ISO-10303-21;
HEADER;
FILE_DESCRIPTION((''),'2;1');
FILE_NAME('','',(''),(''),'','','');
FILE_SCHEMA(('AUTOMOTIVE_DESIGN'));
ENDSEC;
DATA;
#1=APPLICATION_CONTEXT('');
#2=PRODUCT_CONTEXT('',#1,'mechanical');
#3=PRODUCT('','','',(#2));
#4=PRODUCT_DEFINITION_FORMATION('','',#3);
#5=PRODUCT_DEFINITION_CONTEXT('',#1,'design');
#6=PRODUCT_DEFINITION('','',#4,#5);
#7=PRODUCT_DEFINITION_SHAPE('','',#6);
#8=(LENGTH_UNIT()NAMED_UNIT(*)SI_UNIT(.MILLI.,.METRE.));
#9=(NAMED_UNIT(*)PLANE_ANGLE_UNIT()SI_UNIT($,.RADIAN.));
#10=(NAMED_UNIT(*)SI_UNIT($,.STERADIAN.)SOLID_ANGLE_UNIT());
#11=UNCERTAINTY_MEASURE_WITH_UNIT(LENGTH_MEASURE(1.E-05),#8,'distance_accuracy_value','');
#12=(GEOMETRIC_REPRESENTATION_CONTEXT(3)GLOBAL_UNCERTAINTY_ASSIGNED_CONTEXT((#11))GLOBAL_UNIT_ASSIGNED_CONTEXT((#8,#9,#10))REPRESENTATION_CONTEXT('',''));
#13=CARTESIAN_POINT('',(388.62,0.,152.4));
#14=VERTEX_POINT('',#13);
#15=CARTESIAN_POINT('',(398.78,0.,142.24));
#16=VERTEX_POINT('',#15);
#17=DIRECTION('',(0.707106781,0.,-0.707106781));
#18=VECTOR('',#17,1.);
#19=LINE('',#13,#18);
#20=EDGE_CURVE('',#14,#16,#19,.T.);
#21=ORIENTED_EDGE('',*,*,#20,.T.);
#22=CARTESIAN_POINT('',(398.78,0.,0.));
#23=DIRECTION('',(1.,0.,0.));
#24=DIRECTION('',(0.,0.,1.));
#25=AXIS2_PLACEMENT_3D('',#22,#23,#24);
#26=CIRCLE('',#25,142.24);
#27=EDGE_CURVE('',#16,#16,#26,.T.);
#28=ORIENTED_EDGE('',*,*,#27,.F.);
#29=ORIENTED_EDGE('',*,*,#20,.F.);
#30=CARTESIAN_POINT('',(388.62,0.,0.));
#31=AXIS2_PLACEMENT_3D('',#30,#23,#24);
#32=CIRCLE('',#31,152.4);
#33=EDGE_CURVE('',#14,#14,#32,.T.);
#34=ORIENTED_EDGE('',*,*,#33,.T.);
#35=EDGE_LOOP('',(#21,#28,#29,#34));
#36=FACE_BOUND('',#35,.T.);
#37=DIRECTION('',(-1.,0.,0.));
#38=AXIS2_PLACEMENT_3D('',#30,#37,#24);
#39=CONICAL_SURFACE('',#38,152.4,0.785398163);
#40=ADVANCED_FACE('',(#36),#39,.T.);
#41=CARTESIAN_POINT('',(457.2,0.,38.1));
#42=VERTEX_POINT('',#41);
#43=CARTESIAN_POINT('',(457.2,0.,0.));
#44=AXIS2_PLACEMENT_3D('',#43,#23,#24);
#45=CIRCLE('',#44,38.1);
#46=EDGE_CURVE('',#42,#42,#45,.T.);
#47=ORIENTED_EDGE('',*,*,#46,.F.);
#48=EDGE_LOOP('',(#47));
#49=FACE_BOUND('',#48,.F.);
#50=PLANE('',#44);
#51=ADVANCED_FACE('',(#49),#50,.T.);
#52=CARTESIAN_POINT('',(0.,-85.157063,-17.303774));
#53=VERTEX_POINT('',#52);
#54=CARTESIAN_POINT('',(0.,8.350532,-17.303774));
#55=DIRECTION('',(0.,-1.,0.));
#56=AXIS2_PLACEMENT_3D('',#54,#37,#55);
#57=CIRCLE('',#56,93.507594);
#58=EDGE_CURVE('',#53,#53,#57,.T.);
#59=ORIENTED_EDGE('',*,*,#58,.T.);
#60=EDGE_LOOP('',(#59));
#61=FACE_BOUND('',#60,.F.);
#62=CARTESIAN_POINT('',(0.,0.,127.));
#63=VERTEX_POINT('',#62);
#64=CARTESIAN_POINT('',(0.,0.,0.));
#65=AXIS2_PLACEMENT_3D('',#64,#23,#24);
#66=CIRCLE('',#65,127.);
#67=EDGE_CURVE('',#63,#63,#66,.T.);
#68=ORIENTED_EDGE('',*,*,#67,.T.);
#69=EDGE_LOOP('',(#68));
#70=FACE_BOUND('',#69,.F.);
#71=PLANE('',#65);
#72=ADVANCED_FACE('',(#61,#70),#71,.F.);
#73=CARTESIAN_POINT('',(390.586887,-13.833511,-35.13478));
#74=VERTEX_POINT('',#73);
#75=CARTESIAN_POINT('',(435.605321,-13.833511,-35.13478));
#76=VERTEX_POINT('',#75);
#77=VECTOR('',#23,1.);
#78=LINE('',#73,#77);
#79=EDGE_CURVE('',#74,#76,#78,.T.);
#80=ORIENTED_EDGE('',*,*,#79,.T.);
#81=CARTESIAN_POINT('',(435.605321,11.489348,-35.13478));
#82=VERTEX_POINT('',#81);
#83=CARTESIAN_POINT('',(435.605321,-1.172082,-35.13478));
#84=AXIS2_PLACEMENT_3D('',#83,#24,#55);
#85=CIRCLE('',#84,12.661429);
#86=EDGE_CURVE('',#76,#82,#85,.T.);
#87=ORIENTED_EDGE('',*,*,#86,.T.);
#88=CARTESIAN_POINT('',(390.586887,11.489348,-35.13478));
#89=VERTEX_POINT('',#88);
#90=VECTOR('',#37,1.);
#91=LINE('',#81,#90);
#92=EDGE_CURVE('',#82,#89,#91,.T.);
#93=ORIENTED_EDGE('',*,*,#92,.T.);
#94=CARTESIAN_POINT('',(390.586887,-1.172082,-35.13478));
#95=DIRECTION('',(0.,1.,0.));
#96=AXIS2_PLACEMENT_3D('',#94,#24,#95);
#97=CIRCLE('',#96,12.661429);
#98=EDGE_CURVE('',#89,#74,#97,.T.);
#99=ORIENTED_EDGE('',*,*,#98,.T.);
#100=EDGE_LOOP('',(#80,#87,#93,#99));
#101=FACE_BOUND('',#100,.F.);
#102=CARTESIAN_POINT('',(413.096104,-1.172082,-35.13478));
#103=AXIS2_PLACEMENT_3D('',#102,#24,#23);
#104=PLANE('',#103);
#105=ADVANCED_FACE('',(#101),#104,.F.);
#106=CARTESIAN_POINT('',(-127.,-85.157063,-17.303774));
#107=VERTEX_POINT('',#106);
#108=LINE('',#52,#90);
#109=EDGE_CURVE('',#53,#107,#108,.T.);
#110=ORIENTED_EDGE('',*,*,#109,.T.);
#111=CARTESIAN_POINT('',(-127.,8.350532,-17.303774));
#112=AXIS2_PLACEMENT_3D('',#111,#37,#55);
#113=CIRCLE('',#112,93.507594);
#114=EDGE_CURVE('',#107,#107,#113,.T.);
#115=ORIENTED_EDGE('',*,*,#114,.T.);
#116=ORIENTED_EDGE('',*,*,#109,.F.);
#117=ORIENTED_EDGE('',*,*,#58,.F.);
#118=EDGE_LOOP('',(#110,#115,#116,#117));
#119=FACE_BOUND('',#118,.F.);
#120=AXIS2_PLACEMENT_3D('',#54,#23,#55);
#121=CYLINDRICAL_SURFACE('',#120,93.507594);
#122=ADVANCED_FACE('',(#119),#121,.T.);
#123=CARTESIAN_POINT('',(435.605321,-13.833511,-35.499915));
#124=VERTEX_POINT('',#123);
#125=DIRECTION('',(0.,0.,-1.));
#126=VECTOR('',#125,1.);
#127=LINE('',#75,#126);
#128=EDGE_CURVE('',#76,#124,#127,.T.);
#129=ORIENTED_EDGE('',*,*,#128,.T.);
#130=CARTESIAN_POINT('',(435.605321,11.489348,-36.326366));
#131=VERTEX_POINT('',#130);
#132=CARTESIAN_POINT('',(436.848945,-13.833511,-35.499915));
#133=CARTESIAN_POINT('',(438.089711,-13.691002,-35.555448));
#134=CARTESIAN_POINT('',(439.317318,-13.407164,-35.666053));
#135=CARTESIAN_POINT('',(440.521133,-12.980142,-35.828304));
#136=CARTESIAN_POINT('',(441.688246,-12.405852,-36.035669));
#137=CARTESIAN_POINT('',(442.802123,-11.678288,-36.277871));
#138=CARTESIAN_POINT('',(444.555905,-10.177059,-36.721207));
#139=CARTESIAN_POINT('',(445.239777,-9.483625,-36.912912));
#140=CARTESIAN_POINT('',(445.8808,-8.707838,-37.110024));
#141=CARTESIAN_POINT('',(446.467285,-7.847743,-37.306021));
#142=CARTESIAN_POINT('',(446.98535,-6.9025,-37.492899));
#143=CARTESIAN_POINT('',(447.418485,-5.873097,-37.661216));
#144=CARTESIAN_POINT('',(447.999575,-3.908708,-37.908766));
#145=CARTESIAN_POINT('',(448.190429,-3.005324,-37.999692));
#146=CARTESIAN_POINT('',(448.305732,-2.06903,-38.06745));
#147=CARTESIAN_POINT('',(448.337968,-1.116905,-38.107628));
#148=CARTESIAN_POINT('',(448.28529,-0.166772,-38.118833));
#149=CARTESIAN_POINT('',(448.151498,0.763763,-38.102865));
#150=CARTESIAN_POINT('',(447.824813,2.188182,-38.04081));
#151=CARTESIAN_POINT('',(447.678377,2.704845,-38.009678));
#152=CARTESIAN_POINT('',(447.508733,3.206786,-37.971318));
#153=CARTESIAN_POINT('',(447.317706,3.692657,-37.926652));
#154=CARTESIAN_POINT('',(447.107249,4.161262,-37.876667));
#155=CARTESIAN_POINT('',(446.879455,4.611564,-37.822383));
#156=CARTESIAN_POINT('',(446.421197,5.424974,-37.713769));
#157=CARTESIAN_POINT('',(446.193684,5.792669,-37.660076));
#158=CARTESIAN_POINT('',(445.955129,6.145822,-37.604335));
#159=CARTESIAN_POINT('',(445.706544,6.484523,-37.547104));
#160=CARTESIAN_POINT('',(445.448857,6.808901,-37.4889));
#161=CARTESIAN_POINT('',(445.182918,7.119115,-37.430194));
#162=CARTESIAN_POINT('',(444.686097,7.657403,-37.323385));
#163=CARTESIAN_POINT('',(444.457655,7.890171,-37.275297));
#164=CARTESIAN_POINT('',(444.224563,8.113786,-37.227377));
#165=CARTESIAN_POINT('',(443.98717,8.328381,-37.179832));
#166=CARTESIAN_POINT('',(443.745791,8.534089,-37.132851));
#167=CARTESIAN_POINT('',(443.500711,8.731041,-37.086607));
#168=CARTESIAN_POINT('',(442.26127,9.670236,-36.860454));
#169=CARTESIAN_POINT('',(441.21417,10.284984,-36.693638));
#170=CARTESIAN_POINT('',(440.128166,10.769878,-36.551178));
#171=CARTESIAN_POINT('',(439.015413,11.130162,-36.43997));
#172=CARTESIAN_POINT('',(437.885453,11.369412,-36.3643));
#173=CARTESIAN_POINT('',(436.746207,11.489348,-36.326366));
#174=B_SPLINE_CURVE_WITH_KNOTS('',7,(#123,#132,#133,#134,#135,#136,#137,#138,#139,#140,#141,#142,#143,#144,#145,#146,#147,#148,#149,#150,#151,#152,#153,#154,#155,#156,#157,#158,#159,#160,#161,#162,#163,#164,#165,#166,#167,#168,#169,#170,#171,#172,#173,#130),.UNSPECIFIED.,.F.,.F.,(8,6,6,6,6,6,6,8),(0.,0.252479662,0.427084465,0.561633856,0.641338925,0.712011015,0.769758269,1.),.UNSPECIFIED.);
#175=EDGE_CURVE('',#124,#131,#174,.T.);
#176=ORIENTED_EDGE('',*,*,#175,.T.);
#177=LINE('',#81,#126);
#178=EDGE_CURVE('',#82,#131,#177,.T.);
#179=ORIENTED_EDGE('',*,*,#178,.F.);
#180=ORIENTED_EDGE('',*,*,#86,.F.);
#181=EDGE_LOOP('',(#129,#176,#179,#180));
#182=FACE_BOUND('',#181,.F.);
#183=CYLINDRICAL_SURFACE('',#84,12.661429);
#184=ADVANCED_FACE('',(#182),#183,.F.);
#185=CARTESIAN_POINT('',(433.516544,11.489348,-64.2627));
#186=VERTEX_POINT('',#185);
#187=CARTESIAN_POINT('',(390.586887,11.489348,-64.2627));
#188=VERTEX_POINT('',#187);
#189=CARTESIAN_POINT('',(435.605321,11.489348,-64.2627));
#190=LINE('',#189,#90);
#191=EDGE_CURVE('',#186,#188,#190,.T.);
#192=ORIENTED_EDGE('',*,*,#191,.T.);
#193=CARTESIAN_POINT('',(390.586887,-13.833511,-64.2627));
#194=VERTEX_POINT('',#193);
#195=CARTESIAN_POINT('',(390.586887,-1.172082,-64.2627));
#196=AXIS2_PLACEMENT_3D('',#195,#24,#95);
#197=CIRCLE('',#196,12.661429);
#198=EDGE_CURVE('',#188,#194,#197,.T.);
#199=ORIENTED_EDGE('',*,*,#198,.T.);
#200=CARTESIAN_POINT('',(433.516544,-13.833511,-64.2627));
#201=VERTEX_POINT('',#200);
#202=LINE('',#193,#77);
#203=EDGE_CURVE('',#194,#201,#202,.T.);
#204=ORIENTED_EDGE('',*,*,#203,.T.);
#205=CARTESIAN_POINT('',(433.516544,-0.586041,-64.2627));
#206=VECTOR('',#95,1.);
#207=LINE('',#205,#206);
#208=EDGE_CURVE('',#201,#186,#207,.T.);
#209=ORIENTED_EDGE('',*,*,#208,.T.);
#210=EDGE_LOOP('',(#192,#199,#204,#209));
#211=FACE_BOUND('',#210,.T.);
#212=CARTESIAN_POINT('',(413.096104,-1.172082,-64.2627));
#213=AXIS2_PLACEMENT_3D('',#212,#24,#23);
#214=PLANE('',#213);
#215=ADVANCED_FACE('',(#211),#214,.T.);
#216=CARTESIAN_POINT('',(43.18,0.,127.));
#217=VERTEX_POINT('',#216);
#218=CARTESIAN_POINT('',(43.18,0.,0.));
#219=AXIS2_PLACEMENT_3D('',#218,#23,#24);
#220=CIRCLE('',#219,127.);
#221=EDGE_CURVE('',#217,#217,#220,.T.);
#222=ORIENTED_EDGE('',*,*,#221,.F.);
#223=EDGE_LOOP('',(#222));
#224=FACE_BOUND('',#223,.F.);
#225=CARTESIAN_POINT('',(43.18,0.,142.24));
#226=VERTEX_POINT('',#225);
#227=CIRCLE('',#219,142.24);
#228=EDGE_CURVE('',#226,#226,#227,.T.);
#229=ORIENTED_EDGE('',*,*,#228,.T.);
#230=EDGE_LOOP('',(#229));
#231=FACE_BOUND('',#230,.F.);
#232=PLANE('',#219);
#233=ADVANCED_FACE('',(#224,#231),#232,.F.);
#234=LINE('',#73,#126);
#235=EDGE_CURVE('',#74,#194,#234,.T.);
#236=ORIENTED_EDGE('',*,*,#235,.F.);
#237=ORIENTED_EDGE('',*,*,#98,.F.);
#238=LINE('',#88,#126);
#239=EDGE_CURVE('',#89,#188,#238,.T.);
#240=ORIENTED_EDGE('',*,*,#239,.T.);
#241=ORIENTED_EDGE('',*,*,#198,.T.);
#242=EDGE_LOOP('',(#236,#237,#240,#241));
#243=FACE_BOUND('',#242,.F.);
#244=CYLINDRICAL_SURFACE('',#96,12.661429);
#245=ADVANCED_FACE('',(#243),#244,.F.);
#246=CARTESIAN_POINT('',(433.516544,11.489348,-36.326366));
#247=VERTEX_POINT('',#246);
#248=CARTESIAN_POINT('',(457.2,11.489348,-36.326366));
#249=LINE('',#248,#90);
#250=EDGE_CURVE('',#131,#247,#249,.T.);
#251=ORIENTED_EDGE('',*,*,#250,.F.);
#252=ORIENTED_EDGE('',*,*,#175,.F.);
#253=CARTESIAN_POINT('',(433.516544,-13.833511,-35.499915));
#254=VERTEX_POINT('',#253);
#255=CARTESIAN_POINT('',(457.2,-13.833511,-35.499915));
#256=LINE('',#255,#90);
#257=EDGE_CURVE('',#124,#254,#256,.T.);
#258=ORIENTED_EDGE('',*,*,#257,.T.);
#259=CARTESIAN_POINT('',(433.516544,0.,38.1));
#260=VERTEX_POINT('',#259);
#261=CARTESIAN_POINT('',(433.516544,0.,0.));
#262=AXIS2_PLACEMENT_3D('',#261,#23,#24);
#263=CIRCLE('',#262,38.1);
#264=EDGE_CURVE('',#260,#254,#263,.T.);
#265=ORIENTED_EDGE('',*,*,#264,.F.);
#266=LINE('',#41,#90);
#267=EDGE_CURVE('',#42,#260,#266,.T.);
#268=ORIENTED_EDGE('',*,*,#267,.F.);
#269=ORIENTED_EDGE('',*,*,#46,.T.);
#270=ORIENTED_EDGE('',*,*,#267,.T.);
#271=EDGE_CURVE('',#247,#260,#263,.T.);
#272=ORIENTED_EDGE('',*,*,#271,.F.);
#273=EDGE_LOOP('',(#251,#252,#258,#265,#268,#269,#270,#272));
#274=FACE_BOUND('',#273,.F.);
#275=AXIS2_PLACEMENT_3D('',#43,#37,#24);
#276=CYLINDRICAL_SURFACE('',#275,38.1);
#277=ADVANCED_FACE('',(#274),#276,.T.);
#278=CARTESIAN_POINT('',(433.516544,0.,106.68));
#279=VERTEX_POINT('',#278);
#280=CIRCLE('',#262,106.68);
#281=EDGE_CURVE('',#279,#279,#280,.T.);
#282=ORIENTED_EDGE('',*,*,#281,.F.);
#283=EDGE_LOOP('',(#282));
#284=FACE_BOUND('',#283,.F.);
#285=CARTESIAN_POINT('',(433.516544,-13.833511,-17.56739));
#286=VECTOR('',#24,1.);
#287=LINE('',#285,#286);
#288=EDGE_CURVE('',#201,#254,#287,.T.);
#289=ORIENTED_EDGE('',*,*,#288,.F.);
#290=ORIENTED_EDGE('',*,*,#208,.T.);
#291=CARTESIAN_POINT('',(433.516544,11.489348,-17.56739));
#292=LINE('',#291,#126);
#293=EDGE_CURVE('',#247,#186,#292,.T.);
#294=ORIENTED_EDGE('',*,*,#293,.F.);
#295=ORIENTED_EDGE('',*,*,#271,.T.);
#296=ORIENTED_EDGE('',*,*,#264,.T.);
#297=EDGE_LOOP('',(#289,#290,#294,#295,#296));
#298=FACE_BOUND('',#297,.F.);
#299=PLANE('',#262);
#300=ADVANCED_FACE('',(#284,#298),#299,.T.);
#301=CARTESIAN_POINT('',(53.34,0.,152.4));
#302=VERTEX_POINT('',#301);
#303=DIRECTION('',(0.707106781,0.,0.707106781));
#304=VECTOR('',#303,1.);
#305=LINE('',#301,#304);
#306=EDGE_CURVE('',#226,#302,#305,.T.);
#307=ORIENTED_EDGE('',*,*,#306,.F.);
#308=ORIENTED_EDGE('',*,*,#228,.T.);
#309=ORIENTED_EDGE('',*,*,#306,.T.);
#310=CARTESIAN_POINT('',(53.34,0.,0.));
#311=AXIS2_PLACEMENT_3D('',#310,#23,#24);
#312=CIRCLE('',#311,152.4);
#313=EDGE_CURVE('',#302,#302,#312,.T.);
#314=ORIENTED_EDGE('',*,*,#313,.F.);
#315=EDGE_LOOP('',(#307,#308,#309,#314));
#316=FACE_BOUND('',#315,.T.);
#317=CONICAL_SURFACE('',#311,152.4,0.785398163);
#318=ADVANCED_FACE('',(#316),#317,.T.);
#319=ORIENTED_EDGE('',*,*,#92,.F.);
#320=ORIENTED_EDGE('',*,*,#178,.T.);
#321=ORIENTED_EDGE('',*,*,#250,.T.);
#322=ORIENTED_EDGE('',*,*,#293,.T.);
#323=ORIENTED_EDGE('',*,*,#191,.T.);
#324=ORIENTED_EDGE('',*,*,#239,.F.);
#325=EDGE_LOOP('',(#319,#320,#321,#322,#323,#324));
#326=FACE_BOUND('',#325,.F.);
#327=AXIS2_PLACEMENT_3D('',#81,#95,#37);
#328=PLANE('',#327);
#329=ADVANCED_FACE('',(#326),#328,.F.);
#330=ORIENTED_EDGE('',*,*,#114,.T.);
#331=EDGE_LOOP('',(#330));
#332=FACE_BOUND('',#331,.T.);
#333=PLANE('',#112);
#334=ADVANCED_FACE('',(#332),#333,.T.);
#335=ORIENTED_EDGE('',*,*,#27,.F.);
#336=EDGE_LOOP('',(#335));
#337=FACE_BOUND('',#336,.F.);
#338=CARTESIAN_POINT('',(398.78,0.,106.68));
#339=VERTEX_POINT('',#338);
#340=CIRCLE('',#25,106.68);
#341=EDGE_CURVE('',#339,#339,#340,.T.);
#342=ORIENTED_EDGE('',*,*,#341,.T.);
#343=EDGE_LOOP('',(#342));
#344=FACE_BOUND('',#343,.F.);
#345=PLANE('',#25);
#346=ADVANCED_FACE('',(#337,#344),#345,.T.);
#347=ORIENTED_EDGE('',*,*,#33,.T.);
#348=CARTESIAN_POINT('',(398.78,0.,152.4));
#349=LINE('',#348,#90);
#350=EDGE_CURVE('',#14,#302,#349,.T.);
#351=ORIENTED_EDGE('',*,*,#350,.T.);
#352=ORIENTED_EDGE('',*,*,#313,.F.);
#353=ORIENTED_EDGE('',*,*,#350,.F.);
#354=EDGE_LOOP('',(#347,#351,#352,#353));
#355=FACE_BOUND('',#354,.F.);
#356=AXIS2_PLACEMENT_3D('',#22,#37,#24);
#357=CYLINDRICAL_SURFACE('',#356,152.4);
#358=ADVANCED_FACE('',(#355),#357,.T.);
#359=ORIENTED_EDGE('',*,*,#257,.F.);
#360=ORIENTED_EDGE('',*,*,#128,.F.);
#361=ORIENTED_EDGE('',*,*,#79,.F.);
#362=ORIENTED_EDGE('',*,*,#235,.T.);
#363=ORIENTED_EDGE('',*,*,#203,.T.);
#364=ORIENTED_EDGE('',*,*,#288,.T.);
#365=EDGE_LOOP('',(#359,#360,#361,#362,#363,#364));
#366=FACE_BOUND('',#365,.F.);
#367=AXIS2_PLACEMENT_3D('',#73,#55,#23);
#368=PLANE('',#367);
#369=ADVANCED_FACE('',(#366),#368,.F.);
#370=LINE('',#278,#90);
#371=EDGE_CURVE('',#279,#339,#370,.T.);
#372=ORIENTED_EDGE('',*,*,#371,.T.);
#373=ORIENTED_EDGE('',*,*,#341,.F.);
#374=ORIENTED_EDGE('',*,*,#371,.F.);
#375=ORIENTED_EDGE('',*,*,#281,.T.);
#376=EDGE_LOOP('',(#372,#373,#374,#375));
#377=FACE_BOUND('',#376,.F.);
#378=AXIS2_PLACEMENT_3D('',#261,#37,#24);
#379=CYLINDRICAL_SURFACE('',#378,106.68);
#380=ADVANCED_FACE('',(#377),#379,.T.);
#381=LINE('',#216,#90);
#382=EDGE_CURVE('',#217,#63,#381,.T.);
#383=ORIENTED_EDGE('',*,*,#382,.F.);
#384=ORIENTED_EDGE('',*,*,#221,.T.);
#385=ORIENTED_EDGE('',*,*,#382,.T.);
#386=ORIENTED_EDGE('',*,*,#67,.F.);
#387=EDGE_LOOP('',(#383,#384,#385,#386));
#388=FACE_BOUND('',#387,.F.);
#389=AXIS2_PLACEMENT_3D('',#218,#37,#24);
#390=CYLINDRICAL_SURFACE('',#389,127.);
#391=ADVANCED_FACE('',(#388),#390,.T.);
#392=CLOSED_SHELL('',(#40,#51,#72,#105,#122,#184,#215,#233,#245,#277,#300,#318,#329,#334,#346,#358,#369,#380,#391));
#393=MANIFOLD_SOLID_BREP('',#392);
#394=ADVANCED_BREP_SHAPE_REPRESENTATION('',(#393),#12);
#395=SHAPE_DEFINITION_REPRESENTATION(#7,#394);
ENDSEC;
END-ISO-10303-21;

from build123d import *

# Parameters (mm, degrees)
F3_START = -35.13478
F3_DEPTH = 29.12792
F4_SIZE  = 10.16
F5_R     = 93.5075941329
F6_DEPTH = 127


with BuildPart() as f1:
    # F0 (on Front) → F1 (revolve)
    with BuildSketch(Plane.XZ):
        Polygon((0, 127), (0, 0), (457.2, 0), (457.2, 38.1), (433.5165438938, 38.1), (433.5165438938, 106.68), (398.78, 106.68), (398.78, 152.4), (43.18, 152.4), (43.18, 127), align=None)
    revolve(axis=Axis((228.6, 0, 0), (1, 0, 0)))

    # F2 (on Top) → F3 (cut)
    with BuildSketch(Plane.XY.offset(F3_START)):
        with BuildLine():
            Line((435.6053211212, 11.4893475547), (390.5868865967, 11.4893475547))
            ThreePointArc((390.5868865967, 11.4893475547), (377.9254574746, -1.1720815673), (390.5868865967, -13.8335106894))
            Line((390.5868865967, -13.8335106894), (435.6053211212, -13.8335106894))
            ThreePointArc((435.6053211212, -13.8335106894), (448.2667502433, -1.1720815673), (435.6053211212, 11.4893475547))
        make_face()
    extrude(amount=-F3_DEPTH, mode=Mode.SUBTRACT)

    # F4
    f4_edges = [f1.edges().sort_by_distance(p)[0] for p in [
        (43.18, 0, -152.4),
        (398.78, 0, -152.4),
    ]]
    chamfer(f4_edges, length=F4_SIZE)

    # F5 (on face) → F6 (join)
    with BuildSketch(Plane(origin=(0, 0, 0), x_dir=(0, -1, 0), z_dir=(-1, 0, 0))):
        with Locations((-8.3505315706, -17.3037741333)):
            Circle(F5_R)
    extrude(amount=F6_DEPTH)


solid = f1.part
